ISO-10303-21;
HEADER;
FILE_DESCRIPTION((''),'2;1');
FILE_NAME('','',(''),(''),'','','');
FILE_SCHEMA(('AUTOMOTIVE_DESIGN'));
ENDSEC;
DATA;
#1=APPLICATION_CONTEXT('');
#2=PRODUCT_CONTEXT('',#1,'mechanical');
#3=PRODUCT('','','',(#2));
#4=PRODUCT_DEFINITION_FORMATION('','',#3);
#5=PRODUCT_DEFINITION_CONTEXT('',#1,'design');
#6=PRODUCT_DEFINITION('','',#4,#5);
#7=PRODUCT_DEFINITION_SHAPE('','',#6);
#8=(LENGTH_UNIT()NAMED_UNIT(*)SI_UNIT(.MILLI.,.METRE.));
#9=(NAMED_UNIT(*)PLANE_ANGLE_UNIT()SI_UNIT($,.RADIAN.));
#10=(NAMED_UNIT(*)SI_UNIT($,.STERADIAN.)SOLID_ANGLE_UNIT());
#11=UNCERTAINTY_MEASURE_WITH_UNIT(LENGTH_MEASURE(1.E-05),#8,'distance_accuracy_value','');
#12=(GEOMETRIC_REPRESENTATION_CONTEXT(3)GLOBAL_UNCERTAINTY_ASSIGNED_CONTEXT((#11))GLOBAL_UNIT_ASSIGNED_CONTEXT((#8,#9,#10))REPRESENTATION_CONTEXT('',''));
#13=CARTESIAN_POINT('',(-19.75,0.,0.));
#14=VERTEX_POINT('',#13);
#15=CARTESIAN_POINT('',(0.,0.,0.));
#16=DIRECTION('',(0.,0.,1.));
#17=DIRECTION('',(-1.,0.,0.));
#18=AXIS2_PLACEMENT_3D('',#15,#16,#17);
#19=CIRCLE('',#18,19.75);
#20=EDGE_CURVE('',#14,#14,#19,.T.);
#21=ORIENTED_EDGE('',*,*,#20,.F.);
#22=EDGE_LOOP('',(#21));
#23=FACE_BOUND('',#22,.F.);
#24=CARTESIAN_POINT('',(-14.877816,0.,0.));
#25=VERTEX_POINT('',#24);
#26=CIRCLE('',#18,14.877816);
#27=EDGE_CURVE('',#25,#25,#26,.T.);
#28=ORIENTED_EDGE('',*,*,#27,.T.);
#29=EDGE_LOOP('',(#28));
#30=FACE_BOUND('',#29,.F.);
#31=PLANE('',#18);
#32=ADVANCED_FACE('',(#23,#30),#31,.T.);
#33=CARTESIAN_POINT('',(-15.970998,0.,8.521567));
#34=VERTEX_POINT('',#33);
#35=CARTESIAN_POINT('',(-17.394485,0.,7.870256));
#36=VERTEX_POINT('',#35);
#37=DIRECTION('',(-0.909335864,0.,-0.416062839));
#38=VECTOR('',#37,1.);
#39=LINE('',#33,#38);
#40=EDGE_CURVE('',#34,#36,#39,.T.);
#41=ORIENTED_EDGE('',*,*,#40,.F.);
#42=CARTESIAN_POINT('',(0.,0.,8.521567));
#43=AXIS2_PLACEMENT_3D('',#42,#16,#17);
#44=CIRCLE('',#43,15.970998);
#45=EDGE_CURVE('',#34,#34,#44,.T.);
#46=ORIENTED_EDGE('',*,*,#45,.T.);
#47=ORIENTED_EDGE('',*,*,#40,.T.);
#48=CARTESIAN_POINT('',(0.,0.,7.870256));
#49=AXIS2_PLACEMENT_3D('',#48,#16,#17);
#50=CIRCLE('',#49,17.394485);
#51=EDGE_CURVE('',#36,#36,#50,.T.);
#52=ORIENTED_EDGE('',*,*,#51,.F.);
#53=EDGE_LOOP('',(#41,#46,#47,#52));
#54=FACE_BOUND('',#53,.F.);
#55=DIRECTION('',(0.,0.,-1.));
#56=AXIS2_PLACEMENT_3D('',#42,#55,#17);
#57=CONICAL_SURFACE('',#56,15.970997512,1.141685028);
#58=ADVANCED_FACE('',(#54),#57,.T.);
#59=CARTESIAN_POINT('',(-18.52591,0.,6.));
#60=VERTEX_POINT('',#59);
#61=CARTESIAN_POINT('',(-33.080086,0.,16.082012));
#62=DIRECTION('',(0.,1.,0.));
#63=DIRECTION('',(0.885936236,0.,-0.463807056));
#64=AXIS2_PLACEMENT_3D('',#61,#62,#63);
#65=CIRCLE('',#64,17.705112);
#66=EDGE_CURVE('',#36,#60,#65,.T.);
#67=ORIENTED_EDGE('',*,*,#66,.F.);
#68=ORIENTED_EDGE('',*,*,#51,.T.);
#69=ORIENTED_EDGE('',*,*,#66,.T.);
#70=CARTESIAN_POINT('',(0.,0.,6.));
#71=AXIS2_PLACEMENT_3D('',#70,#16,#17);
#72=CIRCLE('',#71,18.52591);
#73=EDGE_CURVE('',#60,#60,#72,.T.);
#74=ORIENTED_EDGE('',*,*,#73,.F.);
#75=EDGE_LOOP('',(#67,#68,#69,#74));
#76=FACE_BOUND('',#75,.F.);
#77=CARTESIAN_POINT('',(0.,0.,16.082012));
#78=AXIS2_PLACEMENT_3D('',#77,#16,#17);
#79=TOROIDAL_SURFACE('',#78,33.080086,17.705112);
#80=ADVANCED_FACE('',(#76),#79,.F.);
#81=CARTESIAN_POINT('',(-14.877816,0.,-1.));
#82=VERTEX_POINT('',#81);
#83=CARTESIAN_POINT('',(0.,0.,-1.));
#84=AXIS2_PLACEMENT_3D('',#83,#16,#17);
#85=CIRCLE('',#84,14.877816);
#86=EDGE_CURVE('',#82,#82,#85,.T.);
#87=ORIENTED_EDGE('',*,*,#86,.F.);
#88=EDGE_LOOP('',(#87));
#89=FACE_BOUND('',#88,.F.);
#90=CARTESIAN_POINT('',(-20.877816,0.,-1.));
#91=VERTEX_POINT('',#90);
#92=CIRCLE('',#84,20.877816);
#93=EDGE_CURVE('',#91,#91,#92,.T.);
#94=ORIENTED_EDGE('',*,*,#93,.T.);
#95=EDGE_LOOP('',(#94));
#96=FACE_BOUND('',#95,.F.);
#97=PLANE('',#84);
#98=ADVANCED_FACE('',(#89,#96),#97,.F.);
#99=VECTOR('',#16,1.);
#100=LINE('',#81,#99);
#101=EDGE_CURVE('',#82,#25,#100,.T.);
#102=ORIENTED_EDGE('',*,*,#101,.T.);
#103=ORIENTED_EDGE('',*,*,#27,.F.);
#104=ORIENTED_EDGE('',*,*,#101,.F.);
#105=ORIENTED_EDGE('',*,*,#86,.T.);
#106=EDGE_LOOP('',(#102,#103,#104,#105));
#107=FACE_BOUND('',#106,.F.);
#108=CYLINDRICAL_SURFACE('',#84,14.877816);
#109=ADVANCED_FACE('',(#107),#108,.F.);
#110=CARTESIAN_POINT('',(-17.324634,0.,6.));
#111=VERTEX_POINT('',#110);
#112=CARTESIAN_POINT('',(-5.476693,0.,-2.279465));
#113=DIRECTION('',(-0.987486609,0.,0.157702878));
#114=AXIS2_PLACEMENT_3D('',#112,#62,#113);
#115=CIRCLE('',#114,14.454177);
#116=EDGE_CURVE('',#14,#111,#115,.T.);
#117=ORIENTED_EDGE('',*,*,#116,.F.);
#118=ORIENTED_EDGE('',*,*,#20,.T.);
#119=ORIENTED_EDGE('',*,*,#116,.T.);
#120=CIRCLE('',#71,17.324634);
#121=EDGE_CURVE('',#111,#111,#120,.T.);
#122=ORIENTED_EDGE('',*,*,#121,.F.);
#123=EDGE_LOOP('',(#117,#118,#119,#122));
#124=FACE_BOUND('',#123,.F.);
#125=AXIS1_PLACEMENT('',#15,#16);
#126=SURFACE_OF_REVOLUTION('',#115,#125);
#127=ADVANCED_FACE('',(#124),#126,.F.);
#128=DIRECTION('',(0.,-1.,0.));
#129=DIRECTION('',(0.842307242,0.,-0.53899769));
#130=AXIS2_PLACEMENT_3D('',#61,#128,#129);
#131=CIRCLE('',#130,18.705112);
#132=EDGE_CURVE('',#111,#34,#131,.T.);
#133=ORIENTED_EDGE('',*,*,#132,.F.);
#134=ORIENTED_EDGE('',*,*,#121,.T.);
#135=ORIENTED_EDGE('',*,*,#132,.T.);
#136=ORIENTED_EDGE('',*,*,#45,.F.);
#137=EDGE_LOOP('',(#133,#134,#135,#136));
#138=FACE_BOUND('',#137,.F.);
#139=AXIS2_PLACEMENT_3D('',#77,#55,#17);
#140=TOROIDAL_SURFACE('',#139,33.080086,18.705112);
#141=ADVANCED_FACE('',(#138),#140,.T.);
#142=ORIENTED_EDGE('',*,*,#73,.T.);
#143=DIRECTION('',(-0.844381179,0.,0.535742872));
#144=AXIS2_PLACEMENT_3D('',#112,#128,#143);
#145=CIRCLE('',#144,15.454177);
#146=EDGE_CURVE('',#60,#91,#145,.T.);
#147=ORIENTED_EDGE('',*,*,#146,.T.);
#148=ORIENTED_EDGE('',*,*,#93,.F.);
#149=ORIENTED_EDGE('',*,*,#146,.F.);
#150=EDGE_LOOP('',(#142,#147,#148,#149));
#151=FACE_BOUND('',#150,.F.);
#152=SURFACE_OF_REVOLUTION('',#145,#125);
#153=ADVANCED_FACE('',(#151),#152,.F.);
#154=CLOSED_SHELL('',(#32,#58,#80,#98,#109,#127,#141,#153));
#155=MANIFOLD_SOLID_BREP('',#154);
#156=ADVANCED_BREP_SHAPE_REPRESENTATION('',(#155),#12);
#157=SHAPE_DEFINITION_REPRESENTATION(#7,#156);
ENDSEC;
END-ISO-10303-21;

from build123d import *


with BuildPart() as f2:
    # F1 (on Front) → F2 (revolve)
    with BuildSketch(Plane.XZ):
        with BuildLine():
            ThreePointArc((-19.75, 0), (-18.8774355083, 3.1374853065), (-17.3246340174, 6))
            ThreePointArc((-17.3246340174, 6), (-16.5995192538, 7.2348568467), (-15.9709975123, 8.5215670988))
            Line((-15.9709975123, 8.5215670988), (-17.3944850113, 7.8702563207))
            ThreePointArc((-17.3944850113, 7.8702563207), (-17.9313073667, 6.9176508907), (-18.5259099141, 6))
            ThreePointArc((-18.5259099141, 6), (-20.1261112743, 2.6425417796), (-20.8778156574, -1))
            Line((-20.8778156574, -1), (-14.8778156574, -1))
            Line((-14.8778156574, -1), (-14.8778156574, 0))
            Line((-14.8778156574, 0), (-19.75, 0))
        make_face()
    revolve(axis=Axis((0, 0, 0), (0, 0, 1)))


solid = f2.part
